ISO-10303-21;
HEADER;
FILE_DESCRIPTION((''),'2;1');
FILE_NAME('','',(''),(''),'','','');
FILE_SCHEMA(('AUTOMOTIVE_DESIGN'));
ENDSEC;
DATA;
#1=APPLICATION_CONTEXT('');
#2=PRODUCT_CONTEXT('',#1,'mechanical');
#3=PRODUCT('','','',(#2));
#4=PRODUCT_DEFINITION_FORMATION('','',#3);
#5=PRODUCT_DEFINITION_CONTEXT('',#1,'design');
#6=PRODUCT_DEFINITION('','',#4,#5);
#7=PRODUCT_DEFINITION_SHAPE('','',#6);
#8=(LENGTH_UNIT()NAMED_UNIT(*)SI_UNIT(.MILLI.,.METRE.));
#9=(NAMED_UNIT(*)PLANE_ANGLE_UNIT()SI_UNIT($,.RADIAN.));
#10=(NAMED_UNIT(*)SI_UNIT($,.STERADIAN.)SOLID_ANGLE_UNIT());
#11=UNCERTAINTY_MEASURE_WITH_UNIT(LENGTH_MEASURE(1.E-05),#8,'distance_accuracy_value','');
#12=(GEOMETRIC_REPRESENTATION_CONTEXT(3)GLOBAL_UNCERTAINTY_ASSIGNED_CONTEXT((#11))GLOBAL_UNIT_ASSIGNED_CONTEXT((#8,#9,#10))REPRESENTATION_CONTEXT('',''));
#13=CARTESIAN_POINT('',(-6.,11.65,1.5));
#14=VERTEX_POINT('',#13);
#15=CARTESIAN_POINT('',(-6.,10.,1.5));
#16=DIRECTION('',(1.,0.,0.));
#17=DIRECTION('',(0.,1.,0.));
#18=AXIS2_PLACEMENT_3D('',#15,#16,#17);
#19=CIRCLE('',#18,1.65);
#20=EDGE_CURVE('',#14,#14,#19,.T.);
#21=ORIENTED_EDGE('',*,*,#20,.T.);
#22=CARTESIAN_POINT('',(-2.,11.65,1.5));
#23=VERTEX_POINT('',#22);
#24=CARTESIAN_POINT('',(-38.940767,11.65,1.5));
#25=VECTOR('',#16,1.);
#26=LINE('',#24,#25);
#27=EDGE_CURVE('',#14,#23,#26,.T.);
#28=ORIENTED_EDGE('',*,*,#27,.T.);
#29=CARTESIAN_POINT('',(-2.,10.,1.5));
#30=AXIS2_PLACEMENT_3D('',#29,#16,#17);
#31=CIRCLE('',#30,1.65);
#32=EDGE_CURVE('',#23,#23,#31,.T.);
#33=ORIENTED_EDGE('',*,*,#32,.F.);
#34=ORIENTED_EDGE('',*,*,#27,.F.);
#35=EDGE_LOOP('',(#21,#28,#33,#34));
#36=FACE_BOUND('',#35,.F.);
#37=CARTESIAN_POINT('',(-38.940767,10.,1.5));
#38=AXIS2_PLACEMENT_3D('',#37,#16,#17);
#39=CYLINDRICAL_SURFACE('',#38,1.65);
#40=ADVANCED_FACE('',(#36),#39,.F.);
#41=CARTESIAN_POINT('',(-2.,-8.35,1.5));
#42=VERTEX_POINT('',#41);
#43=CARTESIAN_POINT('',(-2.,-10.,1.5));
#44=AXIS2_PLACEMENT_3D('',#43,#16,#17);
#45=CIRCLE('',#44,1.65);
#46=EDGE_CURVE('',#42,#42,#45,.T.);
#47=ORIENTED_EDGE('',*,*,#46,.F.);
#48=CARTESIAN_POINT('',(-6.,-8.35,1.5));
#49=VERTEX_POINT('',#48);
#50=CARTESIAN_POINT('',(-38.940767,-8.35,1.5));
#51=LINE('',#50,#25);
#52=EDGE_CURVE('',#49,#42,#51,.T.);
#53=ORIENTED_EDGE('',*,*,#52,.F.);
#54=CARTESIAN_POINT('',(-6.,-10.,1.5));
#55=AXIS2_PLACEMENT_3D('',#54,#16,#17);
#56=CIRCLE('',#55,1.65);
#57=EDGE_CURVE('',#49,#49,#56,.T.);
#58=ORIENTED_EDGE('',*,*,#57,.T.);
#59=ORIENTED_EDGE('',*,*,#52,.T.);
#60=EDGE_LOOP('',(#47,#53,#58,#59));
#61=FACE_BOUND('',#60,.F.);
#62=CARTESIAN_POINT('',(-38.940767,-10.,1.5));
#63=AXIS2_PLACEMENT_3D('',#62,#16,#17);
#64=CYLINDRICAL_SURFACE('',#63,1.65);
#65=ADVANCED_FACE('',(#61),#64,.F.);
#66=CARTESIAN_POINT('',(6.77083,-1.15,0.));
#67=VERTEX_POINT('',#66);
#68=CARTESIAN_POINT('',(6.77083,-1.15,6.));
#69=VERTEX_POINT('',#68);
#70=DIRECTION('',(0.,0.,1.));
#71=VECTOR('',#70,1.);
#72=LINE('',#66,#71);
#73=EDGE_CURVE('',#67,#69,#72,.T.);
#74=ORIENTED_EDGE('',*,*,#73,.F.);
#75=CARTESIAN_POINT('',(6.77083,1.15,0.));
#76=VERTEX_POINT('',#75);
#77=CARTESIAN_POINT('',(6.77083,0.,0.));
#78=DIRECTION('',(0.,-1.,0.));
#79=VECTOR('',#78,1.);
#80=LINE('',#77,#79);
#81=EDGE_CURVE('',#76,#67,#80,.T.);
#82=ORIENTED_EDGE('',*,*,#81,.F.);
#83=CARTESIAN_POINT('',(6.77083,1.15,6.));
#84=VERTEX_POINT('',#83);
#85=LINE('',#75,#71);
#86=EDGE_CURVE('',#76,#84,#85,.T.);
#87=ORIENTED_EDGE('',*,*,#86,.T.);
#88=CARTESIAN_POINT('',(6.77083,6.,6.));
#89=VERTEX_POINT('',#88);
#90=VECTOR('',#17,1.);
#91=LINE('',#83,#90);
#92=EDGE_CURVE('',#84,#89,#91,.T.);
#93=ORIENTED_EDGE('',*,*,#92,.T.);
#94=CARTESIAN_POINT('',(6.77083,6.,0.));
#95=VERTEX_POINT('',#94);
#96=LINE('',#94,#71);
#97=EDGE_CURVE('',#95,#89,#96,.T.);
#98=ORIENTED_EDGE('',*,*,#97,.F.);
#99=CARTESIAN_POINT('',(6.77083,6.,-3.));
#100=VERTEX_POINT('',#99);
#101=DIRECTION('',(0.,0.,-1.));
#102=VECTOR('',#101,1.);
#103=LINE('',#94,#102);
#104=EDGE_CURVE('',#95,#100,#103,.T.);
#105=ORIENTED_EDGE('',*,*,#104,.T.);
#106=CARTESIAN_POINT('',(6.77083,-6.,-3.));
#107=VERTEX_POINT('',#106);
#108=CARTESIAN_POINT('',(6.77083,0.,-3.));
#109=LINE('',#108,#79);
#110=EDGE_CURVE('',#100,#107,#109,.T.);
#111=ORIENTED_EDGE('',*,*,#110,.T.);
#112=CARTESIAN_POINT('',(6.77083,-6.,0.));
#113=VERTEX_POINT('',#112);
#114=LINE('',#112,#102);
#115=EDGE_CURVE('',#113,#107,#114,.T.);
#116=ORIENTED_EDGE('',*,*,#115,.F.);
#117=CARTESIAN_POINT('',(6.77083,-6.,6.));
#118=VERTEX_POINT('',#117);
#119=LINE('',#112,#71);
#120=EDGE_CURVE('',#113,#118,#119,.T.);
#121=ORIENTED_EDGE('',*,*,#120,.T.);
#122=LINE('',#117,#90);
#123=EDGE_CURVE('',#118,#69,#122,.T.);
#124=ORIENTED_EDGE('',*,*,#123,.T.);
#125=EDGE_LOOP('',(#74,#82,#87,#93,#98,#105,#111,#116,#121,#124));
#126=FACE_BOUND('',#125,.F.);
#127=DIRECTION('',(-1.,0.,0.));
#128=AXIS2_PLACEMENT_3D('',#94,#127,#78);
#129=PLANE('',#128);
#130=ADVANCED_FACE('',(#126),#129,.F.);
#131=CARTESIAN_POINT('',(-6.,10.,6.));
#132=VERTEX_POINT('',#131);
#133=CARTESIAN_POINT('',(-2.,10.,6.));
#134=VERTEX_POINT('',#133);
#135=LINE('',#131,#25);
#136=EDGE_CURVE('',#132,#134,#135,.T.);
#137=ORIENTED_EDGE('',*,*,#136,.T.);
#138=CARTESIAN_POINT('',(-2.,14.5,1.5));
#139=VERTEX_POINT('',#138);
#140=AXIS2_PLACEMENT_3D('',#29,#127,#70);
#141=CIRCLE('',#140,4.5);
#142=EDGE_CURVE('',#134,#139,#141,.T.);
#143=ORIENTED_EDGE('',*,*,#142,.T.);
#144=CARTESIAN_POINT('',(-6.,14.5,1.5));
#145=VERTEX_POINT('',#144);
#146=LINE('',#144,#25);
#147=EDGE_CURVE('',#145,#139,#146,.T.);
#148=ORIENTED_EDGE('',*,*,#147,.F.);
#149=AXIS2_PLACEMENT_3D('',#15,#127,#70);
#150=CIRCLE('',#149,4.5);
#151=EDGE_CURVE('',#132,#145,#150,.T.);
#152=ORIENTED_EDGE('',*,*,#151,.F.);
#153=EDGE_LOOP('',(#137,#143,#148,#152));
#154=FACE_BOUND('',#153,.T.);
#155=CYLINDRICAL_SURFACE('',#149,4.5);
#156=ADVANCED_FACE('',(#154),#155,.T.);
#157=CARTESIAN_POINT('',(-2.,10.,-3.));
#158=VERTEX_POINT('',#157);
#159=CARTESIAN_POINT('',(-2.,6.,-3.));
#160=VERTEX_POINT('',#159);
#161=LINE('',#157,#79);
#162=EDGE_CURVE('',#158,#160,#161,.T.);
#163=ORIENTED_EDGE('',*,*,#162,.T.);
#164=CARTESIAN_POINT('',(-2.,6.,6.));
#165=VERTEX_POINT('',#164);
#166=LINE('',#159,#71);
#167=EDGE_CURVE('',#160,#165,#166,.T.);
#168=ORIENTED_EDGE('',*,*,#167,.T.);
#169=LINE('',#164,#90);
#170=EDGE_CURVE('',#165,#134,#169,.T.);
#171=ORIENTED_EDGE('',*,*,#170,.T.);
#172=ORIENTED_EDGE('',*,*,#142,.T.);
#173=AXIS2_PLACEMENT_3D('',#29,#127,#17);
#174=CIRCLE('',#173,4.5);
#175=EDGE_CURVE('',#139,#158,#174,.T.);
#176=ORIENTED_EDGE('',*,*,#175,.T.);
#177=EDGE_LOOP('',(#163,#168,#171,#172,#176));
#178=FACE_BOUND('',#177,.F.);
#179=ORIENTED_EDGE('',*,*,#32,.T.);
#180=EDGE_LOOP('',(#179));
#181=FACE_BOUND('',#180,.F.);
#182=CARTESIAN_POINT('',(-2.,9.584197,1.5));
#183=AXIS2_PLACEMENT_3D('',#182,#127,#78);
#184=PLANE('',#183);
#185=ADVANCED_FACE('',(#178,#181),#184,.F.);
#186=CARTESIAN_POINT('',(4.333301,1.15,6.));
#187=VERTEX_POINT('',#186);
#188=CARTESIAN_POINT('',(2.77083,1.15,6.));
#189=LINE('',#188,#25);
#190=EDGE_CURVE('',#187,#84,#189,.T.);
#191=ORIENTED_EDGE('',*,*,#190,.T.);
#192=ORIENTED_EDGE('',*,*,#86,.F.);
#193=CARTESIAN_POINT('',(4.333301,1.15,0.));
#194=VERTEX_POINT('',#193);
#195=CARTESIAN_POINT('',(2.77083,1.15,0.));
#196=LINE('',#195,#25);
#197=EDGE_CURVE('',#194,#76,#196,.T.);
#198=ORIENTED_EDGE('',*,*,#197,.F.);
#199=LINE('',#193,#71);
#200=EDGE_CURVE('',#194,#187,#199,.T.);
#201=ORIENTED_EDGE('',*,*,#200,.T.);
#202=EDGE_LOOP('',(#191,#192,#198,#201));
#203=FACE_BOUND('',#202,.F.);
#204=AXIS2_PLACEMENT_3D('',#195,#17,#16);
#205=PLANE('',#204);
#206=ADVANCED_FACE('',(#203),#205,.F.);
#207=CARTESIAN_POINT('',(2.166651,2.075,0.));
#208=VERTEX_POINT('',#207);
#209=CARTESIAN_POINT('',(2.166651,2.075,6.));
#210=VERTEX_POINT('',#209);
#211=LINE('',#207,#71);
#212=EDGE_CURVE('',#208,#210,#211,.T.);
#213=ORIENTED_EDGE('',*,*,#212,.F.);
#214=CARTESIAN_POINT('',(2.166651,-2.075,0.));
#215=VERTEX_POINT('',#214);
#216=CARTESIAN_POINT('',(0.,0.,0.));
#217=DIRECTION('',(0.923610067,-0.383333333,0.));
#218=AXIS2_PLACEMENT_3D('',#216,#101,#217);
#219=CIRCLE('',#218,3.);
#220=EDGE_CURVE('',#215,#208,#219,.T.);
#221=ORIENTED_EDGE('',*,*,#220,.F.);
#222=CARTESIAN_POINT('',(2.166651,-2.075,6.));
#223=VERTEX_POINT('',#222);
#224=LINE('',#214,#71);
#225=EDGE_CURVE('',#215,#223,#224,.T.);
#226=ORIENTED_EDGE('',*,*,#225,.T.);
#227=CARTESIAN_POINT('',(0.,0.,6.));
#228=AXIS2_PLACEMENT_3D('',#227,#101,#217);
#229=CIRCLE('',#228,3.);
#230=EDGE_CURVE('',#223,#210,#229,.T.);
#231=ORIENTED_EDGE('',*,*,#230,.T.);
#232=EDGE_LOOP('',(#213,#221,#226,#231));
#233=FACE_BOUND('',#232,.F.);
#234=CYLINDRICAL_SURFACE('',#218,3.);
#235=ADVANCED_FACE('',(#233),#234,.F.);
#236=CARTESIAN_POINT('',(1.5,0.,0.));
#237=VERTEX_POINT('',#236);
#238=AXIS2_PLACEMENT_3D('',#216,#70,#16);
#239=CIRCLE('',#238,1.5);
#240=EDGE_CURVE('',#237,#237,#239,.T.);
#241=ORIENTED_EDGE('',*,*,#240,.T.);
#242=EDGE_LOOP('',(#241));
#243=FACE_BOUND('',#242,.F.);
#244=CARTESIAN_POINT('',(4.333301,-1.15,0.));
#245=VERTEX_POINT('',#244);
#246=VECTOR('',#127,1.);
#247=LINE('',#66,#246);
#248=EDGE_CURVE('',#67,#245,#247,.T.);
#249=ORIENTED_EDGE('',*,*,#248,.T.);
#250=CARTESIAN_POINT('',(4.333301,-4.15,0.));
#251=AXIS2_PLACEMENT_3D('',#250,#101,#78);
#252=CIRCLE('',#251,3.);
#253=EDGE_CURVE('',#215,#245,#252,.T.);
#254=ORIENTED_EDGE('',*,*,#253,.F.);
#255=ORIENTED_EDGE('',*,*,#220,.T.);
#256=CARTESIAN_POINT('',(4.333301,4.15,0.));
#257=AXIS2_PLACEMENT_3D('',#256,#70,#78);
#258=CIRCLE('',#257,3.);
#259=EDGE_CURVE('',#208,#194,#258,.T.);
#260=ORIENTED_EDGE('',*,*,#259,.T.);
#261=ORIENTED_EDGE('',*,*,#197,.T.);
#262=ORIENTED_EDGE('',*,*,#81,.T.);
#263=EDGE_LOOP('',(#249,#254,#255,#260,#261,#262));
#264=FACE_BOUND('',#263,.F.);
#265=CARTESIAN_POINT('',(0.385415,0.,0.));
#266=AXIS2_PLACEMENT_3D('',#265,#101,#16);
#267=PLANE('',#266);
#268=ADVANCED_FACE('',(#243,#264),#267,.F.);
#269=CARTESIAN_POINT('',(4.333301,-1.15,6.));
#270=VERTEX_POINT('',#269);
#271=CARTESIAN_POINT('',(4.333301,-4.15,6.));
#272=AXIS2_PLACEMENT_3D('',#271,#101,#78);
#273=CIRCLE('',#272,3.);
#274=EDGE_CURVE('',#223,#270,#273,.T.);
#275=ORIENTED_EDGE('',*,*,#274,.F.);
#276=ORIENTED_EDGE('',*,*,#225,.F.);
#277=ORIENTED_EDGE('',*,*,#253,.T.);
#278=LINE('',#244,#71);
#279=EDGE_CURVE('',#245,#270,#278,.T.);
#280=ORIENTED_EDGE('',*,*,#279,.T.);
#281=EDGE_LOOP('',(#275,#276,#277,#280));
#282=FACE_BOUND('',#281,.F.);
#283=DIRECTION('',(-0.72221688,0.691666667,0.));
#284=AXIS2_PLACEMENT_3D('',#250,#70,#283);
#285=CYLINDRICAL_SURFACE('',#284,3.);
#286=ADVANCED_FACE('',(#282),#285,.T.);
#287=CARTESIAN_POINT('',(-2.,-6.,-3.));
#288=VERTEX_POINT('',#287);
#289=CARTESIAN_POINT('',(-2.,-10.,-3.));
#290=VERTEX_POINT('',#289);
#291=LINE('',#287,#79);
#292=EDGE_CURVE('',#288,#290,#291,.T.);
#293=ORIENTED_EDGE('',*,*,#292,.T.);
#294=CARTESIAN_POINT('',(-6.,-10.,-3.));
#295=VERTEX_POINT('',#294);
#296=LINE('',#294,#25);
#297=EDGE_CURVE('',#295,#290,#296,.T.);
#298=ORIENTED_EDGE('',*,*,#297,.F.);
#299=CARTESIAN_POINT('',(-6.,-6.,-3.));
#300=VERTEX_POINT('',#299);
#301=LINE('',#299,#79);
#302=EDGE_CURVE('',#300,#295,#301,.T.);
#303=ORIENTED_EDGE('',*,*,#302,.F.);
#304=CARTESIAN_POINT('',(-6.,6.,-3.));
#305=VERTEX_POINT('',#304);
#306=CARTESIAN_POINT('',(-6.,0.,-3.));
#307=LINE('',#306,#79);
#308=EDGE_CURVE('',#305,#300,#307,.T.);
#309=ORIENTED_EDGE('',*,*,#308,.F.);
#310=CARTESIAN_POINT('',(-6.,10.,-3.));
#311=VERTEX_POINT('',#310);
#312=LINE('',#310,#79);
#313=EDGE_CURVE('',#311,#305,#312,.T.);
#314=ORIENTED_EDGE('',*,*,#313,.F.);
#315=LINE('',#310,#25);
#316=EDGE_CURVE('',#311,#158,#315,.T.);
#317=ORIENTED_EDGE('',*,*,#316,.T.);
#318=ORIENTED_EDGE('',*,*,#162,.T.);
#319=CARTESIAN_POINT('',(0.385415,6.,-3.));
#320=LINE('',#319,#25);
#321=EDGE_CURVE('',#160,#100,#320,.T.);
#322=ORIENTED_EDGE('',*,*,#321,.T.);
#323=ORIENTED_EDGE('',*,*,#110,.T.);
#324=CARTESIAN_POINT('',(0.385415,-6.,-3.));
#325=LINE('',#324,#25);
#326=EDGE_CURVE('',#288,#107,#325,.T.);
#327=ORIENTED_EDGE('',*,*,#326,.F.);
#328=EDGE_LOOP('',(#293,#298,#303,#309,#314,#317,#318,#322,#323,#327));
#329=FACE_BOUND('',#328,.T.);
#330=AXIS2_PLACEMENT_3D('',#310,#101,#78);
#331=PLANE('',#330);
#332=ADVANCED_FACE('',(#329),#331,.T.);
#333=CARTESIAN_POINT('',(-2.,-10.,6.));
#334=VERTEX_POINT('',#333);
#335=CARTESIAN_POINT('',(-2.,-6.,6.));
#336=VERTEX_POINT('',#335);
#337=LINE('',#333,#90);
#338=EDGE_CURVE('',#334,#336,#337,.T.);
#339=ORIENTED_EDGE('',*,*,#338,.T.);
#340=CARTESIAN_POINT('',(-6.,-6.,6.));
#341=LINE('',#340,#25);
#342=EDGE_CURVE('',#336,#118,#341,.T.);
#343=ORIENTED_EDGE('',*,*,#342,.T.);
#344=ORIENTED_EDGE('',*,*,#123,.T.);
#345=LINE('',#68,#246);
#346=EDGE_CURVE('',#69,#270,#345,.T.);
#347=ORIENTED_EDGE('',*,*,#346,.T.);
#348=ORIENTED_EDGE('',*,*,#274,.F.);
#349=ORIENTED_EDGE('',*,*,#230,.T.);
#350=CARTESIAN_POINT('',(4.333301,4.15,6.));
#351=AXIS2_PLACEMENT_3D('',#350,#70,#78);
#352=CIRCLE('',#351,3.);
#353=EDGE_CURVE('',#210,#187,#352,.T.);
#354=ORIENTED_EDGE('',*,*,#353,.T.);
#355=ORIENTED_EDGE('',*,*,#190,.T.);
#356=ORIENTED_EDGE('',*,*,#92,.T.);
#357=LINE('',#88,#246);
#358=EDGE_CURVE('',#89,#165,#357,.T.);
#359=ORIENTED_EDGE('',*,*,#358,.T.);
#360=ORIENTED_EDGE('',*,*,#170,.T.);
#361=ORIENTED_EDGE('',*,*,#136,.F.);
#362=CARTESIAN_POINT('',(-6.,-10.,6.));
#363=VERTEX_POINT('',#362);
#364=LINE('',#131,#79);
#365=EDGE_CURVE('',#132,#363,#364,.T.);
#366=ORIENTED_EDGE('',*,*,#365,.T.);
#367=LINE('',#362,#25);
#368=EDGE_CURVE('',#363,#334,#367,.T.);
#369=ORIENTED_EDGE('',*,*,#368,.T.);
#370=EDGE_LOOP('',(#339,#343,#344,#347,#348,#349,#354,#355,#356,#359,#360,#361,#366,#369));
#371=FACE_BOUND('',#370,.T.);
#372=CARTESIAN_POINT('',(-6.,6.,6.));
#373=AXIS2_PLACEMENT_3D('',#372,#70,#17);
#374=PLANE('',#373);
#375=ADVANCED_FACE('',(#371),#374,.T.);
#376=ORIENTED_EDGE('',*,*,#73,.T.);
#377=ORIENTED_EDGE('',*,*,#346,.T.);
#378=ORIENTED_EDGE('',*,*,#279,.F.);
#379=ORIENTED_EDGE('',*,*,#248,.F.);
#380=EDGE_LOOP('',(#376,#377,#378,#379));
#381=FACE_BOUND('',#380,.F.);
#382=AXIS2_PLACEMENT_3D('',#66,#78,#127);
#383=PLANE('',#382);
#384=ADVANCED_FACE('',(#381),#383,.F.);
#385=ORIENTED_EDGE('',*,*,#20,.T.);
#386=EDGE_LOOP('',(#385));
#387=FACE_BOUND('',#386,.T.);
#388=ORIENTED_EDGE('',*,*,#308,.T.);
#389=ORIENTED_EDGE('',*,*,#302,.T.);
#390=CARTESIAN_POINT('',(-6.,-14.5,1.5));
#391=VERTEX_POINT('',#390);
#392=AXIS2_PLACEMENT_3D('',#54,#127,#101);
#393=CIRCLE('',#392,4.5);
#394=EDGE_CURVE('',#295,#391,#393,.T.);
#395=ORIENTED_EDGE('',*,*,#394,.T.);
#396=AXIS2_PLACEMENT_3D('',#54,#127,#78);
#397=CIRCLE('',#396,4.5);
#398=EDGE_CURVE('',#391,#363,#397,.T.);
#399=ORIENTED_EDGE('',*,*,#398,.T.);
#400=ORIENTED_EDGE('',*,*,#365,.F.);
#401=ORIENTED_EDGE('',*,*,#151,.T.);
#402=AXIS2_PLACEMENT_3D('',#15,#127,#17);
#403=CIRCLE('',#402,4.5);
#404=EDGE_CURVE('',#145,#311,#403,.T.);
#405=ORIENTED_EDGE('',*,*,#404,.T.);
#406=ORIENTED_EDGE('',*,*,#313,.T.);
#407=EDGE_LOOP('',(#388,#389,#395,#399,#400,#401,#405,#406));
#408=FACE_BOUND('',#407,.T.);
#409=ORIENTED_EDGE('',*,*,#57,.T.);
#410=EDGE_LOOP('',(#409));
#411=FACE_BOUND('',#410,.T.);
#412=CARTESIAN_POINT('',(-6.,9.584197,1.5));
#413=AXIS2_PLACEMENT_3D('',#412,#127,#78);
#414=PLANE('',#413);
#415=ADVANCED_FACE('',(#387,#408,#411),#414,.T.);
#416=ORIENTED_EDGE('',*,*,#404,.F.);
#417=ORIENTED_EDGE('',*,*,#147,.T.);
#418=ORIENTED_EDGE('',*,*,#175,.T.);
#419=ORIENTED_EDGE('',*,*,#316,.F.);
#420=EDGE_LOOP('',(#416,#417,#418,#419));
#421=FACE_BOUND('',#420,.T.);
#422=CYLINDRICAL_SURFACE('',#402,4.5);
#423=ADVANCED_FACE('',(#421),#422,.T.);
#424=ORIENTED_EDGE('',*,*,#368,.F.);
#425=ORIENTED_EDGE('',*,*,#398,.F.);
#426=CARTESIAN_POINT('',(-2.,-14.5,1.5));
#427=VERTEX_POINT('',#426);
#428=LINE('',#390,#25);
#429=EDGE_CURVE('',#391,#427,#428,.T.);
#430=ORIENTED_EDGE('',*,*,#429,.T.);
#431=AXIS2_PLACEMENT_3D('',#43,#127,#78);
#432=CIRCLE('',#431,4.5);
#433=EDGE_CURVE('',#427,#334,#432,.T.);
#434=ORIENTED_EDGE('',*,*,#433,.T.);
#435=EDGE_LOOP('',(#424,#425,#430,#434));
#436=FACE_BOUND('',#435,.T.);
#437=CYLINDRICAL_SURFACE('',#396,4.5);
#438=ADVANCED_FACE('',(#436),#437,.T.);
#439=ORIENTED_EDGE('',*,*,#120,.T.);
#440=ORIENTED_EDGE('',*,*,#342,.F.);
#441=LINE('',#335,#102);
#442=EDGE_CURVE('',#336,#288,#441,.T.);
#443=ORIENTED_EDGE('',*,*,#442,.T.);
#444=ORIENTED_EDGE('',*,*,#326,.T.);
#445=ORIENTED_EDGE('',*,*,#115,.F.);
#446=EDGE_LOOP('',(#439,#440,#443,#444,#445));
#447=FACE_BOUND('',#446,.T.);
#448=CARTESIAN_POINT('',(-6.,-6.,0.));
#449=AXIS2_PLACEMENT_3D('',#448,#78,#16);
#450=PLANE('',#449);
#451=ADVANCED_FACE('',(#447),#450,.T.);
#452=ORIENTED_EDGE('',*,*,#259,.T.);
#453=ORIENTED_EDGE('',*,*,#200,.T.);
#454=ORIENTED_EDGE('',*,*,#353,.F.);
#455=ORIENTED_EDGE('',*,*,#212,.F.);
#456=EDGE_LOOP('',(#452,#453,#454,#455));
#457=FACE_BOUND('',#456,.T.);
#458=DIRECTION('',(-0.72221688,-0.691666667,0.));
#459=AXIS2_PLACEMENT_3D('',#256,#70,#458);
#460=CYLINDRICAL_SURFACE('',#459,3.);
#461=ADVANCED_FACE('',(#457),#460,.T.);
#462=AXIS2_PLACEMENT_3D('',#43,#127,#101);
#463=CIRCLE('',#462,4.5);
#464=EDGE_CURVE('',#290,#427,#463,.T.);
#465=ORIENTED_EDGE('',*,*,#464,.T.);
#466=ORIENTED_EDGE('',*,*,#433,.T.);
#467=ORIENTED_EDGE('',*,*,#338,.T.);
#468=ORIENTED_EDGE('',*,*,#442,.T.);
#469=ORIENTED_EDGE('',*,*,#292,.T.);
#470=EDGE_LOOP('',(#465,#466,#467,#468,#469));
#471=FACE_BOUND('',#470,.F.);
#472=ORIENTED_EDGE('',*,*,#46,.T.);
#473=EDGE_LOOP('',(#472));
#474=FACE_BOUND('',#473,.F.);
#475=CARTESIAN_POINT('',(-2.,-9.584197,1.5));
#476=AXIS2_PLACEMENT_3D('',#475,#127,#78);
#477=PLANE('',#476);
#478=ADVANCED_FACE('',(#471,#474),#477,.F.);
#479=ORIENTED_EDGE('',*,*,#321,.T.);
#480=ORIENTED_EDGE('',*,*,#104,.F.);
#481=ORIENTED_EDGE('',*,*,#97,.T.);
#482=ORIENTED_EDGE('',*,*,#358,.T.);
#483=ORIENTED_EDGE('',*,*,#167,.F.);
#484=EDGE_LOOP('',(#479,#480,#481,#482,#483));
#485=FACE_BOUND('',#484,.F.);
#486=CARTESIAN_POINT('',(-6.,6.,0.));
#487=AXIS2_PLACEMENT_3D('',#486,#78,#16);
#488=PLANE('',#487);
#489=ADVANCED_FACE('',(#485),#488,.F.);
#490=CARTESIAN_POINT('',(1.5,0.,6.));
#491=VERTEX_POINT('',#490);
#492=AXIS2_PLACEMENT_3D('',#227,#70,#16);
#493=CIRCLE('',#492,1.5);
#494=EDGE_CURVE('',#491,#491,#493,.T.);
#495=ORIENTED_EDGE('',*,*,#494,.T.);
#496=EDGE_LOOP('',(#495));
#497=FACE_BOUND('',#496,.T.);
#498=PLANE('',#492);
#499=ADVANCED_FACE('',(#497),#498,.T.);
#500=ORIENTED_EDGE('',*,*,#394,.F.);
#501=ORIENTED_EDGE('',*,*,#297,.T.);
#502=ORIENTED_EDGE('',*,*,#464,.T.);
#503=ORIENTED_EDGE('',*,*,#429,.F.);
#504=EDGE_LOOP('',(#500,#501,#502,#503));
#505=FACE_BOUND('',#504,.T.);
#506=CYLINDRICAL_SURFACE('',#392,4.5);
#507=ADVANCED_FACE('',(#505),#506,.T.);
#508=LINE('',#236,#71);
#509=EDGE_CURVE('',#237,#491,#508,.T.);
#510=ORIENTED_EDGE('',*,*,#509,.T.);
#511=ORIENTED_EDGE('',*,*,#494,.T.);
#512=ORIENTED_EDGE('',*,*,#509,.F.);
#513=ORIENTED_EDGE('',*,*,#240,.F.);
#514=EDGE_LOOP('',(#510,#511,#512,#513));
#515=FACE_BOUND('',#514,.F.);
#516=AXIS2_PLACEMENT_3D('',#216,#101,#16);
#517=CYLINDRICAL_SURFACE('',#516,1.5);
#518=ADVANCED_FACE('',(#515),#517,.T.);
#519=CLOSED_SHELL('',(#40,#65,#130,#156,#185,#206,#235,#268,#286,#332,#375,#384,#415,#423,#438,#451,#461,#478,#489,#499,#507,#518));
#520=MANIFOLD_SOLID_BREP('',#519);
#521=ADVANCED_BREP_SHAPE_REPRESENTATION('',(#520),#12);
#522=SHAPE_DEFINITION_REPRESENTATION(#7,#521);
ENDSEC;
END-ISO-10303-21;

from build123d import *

# Parameters (mm, degrees)
F1_DEPTH = 6
F0_R     = 1.5
F2_W     = 12.7708302005
F2_H     = 12
F3_DEPTH = 3
F4_R     = 3
F6_DEPTH = 4
F7_D     = 3.3


with BuildPart() as f1:
    # F0 (on Top) → F1 (new body)
    with BuildSketch(Plane.XY):
        with BuildLine():
            ThreePointArc((2.7708302005, -1.15), (-3, 0), (2.7708302005, 1.15))
            Line((2.7708302005, 1.15), (6.7708302005, 1.15))
            Line((6.7708302005, 1.15), (6.7708302005, 6))
            Line((6.7708302005, 6), (-6, 6))
            Line((-6, 6), (-6, 0))
            Line((-6, 0), (-6, -6))
            Line((-6, -6), (6.7708302005, -6))
            Line((6.7708302005, -6), (6.7708302005, -1.15))
            Line((6.7708302005, -1.15), (2.7708302005, -1.15))
        make_face()
    extrude(amount=F1_DEPTH)



with BuildPart() as f1b:
    # F0 (on Top) → F1, piece 2 (new body)
    with BuildSketch(Plane.XY):
        Circle(F0_R)
    extrude(amount=F1_DEPTH)


with BuildPart() as f1_1:
    add(f1.part)

    add(f1b.part)  # F3 merges F1b
    # F2 (on face) → F3 (join)
    with BuildSketch(Plane(origin=(0, 0, 0), x_dir=(1, 0, 0), z_dir=(0, 0, -1))):
        with Locations((0.3854151002, 0)):
            Rectangle(F2_W, F2_H)
    extrude(amount=F3_DEPTH)

    # F4
    f4_edges = [f1_1.edges().sort_by_distance(p)[0] for p in [
        (2.77083, -1.15, 3),
        (2.77083, 1.15, 3),
    ]]
    fillet(f4_edges, radius=F4_R)

    # F5 (on face) → F6 (join)
    with BuildSketch(Plane(origin=(-6, 0, 0), x_dir=(0, -1, 0), z_dir=(-1, 0, 0))):
        with BuildLine():
            Line((-6, -3), (-6, 6))
            Line((-6, 6), (-10, 6))
            ThreePointArc((-10, 6), (-13.1819805153, 4.6819805153), (-14.5, 1.5))
            ThreePointArc((-14.5, 1.5), (-13.1819805153, -1.6819805153), (-10, -3))
            Line((-10, -3), (-6, -3))
        make_face()
        with BuildLine():
            Line((10, 6), (6, 6))
            Line((6, 6), (6, -3))
            Line((6, -3), (10, -3))
            ThreePointArc((10, -3), (13.1819805153, -1.6819805153), (14.5, 1.5))
            ThreePointArc((14.5, 1.5), (13.1819805153, 4.6819805153), (10, 6))
        make_face()
    extrude(amount=-F6_DEPTH)

    # F7 (through all)
    with Locations(Plane(origin=(-6, 0, 0), x_dir=(0, -1, 0), z_dir=(-1, 0, 0))):
        with Locations((-10, 1.5), (10, 1.5)):
            Hole(F7_D / 2)


solid = f1_1.part
